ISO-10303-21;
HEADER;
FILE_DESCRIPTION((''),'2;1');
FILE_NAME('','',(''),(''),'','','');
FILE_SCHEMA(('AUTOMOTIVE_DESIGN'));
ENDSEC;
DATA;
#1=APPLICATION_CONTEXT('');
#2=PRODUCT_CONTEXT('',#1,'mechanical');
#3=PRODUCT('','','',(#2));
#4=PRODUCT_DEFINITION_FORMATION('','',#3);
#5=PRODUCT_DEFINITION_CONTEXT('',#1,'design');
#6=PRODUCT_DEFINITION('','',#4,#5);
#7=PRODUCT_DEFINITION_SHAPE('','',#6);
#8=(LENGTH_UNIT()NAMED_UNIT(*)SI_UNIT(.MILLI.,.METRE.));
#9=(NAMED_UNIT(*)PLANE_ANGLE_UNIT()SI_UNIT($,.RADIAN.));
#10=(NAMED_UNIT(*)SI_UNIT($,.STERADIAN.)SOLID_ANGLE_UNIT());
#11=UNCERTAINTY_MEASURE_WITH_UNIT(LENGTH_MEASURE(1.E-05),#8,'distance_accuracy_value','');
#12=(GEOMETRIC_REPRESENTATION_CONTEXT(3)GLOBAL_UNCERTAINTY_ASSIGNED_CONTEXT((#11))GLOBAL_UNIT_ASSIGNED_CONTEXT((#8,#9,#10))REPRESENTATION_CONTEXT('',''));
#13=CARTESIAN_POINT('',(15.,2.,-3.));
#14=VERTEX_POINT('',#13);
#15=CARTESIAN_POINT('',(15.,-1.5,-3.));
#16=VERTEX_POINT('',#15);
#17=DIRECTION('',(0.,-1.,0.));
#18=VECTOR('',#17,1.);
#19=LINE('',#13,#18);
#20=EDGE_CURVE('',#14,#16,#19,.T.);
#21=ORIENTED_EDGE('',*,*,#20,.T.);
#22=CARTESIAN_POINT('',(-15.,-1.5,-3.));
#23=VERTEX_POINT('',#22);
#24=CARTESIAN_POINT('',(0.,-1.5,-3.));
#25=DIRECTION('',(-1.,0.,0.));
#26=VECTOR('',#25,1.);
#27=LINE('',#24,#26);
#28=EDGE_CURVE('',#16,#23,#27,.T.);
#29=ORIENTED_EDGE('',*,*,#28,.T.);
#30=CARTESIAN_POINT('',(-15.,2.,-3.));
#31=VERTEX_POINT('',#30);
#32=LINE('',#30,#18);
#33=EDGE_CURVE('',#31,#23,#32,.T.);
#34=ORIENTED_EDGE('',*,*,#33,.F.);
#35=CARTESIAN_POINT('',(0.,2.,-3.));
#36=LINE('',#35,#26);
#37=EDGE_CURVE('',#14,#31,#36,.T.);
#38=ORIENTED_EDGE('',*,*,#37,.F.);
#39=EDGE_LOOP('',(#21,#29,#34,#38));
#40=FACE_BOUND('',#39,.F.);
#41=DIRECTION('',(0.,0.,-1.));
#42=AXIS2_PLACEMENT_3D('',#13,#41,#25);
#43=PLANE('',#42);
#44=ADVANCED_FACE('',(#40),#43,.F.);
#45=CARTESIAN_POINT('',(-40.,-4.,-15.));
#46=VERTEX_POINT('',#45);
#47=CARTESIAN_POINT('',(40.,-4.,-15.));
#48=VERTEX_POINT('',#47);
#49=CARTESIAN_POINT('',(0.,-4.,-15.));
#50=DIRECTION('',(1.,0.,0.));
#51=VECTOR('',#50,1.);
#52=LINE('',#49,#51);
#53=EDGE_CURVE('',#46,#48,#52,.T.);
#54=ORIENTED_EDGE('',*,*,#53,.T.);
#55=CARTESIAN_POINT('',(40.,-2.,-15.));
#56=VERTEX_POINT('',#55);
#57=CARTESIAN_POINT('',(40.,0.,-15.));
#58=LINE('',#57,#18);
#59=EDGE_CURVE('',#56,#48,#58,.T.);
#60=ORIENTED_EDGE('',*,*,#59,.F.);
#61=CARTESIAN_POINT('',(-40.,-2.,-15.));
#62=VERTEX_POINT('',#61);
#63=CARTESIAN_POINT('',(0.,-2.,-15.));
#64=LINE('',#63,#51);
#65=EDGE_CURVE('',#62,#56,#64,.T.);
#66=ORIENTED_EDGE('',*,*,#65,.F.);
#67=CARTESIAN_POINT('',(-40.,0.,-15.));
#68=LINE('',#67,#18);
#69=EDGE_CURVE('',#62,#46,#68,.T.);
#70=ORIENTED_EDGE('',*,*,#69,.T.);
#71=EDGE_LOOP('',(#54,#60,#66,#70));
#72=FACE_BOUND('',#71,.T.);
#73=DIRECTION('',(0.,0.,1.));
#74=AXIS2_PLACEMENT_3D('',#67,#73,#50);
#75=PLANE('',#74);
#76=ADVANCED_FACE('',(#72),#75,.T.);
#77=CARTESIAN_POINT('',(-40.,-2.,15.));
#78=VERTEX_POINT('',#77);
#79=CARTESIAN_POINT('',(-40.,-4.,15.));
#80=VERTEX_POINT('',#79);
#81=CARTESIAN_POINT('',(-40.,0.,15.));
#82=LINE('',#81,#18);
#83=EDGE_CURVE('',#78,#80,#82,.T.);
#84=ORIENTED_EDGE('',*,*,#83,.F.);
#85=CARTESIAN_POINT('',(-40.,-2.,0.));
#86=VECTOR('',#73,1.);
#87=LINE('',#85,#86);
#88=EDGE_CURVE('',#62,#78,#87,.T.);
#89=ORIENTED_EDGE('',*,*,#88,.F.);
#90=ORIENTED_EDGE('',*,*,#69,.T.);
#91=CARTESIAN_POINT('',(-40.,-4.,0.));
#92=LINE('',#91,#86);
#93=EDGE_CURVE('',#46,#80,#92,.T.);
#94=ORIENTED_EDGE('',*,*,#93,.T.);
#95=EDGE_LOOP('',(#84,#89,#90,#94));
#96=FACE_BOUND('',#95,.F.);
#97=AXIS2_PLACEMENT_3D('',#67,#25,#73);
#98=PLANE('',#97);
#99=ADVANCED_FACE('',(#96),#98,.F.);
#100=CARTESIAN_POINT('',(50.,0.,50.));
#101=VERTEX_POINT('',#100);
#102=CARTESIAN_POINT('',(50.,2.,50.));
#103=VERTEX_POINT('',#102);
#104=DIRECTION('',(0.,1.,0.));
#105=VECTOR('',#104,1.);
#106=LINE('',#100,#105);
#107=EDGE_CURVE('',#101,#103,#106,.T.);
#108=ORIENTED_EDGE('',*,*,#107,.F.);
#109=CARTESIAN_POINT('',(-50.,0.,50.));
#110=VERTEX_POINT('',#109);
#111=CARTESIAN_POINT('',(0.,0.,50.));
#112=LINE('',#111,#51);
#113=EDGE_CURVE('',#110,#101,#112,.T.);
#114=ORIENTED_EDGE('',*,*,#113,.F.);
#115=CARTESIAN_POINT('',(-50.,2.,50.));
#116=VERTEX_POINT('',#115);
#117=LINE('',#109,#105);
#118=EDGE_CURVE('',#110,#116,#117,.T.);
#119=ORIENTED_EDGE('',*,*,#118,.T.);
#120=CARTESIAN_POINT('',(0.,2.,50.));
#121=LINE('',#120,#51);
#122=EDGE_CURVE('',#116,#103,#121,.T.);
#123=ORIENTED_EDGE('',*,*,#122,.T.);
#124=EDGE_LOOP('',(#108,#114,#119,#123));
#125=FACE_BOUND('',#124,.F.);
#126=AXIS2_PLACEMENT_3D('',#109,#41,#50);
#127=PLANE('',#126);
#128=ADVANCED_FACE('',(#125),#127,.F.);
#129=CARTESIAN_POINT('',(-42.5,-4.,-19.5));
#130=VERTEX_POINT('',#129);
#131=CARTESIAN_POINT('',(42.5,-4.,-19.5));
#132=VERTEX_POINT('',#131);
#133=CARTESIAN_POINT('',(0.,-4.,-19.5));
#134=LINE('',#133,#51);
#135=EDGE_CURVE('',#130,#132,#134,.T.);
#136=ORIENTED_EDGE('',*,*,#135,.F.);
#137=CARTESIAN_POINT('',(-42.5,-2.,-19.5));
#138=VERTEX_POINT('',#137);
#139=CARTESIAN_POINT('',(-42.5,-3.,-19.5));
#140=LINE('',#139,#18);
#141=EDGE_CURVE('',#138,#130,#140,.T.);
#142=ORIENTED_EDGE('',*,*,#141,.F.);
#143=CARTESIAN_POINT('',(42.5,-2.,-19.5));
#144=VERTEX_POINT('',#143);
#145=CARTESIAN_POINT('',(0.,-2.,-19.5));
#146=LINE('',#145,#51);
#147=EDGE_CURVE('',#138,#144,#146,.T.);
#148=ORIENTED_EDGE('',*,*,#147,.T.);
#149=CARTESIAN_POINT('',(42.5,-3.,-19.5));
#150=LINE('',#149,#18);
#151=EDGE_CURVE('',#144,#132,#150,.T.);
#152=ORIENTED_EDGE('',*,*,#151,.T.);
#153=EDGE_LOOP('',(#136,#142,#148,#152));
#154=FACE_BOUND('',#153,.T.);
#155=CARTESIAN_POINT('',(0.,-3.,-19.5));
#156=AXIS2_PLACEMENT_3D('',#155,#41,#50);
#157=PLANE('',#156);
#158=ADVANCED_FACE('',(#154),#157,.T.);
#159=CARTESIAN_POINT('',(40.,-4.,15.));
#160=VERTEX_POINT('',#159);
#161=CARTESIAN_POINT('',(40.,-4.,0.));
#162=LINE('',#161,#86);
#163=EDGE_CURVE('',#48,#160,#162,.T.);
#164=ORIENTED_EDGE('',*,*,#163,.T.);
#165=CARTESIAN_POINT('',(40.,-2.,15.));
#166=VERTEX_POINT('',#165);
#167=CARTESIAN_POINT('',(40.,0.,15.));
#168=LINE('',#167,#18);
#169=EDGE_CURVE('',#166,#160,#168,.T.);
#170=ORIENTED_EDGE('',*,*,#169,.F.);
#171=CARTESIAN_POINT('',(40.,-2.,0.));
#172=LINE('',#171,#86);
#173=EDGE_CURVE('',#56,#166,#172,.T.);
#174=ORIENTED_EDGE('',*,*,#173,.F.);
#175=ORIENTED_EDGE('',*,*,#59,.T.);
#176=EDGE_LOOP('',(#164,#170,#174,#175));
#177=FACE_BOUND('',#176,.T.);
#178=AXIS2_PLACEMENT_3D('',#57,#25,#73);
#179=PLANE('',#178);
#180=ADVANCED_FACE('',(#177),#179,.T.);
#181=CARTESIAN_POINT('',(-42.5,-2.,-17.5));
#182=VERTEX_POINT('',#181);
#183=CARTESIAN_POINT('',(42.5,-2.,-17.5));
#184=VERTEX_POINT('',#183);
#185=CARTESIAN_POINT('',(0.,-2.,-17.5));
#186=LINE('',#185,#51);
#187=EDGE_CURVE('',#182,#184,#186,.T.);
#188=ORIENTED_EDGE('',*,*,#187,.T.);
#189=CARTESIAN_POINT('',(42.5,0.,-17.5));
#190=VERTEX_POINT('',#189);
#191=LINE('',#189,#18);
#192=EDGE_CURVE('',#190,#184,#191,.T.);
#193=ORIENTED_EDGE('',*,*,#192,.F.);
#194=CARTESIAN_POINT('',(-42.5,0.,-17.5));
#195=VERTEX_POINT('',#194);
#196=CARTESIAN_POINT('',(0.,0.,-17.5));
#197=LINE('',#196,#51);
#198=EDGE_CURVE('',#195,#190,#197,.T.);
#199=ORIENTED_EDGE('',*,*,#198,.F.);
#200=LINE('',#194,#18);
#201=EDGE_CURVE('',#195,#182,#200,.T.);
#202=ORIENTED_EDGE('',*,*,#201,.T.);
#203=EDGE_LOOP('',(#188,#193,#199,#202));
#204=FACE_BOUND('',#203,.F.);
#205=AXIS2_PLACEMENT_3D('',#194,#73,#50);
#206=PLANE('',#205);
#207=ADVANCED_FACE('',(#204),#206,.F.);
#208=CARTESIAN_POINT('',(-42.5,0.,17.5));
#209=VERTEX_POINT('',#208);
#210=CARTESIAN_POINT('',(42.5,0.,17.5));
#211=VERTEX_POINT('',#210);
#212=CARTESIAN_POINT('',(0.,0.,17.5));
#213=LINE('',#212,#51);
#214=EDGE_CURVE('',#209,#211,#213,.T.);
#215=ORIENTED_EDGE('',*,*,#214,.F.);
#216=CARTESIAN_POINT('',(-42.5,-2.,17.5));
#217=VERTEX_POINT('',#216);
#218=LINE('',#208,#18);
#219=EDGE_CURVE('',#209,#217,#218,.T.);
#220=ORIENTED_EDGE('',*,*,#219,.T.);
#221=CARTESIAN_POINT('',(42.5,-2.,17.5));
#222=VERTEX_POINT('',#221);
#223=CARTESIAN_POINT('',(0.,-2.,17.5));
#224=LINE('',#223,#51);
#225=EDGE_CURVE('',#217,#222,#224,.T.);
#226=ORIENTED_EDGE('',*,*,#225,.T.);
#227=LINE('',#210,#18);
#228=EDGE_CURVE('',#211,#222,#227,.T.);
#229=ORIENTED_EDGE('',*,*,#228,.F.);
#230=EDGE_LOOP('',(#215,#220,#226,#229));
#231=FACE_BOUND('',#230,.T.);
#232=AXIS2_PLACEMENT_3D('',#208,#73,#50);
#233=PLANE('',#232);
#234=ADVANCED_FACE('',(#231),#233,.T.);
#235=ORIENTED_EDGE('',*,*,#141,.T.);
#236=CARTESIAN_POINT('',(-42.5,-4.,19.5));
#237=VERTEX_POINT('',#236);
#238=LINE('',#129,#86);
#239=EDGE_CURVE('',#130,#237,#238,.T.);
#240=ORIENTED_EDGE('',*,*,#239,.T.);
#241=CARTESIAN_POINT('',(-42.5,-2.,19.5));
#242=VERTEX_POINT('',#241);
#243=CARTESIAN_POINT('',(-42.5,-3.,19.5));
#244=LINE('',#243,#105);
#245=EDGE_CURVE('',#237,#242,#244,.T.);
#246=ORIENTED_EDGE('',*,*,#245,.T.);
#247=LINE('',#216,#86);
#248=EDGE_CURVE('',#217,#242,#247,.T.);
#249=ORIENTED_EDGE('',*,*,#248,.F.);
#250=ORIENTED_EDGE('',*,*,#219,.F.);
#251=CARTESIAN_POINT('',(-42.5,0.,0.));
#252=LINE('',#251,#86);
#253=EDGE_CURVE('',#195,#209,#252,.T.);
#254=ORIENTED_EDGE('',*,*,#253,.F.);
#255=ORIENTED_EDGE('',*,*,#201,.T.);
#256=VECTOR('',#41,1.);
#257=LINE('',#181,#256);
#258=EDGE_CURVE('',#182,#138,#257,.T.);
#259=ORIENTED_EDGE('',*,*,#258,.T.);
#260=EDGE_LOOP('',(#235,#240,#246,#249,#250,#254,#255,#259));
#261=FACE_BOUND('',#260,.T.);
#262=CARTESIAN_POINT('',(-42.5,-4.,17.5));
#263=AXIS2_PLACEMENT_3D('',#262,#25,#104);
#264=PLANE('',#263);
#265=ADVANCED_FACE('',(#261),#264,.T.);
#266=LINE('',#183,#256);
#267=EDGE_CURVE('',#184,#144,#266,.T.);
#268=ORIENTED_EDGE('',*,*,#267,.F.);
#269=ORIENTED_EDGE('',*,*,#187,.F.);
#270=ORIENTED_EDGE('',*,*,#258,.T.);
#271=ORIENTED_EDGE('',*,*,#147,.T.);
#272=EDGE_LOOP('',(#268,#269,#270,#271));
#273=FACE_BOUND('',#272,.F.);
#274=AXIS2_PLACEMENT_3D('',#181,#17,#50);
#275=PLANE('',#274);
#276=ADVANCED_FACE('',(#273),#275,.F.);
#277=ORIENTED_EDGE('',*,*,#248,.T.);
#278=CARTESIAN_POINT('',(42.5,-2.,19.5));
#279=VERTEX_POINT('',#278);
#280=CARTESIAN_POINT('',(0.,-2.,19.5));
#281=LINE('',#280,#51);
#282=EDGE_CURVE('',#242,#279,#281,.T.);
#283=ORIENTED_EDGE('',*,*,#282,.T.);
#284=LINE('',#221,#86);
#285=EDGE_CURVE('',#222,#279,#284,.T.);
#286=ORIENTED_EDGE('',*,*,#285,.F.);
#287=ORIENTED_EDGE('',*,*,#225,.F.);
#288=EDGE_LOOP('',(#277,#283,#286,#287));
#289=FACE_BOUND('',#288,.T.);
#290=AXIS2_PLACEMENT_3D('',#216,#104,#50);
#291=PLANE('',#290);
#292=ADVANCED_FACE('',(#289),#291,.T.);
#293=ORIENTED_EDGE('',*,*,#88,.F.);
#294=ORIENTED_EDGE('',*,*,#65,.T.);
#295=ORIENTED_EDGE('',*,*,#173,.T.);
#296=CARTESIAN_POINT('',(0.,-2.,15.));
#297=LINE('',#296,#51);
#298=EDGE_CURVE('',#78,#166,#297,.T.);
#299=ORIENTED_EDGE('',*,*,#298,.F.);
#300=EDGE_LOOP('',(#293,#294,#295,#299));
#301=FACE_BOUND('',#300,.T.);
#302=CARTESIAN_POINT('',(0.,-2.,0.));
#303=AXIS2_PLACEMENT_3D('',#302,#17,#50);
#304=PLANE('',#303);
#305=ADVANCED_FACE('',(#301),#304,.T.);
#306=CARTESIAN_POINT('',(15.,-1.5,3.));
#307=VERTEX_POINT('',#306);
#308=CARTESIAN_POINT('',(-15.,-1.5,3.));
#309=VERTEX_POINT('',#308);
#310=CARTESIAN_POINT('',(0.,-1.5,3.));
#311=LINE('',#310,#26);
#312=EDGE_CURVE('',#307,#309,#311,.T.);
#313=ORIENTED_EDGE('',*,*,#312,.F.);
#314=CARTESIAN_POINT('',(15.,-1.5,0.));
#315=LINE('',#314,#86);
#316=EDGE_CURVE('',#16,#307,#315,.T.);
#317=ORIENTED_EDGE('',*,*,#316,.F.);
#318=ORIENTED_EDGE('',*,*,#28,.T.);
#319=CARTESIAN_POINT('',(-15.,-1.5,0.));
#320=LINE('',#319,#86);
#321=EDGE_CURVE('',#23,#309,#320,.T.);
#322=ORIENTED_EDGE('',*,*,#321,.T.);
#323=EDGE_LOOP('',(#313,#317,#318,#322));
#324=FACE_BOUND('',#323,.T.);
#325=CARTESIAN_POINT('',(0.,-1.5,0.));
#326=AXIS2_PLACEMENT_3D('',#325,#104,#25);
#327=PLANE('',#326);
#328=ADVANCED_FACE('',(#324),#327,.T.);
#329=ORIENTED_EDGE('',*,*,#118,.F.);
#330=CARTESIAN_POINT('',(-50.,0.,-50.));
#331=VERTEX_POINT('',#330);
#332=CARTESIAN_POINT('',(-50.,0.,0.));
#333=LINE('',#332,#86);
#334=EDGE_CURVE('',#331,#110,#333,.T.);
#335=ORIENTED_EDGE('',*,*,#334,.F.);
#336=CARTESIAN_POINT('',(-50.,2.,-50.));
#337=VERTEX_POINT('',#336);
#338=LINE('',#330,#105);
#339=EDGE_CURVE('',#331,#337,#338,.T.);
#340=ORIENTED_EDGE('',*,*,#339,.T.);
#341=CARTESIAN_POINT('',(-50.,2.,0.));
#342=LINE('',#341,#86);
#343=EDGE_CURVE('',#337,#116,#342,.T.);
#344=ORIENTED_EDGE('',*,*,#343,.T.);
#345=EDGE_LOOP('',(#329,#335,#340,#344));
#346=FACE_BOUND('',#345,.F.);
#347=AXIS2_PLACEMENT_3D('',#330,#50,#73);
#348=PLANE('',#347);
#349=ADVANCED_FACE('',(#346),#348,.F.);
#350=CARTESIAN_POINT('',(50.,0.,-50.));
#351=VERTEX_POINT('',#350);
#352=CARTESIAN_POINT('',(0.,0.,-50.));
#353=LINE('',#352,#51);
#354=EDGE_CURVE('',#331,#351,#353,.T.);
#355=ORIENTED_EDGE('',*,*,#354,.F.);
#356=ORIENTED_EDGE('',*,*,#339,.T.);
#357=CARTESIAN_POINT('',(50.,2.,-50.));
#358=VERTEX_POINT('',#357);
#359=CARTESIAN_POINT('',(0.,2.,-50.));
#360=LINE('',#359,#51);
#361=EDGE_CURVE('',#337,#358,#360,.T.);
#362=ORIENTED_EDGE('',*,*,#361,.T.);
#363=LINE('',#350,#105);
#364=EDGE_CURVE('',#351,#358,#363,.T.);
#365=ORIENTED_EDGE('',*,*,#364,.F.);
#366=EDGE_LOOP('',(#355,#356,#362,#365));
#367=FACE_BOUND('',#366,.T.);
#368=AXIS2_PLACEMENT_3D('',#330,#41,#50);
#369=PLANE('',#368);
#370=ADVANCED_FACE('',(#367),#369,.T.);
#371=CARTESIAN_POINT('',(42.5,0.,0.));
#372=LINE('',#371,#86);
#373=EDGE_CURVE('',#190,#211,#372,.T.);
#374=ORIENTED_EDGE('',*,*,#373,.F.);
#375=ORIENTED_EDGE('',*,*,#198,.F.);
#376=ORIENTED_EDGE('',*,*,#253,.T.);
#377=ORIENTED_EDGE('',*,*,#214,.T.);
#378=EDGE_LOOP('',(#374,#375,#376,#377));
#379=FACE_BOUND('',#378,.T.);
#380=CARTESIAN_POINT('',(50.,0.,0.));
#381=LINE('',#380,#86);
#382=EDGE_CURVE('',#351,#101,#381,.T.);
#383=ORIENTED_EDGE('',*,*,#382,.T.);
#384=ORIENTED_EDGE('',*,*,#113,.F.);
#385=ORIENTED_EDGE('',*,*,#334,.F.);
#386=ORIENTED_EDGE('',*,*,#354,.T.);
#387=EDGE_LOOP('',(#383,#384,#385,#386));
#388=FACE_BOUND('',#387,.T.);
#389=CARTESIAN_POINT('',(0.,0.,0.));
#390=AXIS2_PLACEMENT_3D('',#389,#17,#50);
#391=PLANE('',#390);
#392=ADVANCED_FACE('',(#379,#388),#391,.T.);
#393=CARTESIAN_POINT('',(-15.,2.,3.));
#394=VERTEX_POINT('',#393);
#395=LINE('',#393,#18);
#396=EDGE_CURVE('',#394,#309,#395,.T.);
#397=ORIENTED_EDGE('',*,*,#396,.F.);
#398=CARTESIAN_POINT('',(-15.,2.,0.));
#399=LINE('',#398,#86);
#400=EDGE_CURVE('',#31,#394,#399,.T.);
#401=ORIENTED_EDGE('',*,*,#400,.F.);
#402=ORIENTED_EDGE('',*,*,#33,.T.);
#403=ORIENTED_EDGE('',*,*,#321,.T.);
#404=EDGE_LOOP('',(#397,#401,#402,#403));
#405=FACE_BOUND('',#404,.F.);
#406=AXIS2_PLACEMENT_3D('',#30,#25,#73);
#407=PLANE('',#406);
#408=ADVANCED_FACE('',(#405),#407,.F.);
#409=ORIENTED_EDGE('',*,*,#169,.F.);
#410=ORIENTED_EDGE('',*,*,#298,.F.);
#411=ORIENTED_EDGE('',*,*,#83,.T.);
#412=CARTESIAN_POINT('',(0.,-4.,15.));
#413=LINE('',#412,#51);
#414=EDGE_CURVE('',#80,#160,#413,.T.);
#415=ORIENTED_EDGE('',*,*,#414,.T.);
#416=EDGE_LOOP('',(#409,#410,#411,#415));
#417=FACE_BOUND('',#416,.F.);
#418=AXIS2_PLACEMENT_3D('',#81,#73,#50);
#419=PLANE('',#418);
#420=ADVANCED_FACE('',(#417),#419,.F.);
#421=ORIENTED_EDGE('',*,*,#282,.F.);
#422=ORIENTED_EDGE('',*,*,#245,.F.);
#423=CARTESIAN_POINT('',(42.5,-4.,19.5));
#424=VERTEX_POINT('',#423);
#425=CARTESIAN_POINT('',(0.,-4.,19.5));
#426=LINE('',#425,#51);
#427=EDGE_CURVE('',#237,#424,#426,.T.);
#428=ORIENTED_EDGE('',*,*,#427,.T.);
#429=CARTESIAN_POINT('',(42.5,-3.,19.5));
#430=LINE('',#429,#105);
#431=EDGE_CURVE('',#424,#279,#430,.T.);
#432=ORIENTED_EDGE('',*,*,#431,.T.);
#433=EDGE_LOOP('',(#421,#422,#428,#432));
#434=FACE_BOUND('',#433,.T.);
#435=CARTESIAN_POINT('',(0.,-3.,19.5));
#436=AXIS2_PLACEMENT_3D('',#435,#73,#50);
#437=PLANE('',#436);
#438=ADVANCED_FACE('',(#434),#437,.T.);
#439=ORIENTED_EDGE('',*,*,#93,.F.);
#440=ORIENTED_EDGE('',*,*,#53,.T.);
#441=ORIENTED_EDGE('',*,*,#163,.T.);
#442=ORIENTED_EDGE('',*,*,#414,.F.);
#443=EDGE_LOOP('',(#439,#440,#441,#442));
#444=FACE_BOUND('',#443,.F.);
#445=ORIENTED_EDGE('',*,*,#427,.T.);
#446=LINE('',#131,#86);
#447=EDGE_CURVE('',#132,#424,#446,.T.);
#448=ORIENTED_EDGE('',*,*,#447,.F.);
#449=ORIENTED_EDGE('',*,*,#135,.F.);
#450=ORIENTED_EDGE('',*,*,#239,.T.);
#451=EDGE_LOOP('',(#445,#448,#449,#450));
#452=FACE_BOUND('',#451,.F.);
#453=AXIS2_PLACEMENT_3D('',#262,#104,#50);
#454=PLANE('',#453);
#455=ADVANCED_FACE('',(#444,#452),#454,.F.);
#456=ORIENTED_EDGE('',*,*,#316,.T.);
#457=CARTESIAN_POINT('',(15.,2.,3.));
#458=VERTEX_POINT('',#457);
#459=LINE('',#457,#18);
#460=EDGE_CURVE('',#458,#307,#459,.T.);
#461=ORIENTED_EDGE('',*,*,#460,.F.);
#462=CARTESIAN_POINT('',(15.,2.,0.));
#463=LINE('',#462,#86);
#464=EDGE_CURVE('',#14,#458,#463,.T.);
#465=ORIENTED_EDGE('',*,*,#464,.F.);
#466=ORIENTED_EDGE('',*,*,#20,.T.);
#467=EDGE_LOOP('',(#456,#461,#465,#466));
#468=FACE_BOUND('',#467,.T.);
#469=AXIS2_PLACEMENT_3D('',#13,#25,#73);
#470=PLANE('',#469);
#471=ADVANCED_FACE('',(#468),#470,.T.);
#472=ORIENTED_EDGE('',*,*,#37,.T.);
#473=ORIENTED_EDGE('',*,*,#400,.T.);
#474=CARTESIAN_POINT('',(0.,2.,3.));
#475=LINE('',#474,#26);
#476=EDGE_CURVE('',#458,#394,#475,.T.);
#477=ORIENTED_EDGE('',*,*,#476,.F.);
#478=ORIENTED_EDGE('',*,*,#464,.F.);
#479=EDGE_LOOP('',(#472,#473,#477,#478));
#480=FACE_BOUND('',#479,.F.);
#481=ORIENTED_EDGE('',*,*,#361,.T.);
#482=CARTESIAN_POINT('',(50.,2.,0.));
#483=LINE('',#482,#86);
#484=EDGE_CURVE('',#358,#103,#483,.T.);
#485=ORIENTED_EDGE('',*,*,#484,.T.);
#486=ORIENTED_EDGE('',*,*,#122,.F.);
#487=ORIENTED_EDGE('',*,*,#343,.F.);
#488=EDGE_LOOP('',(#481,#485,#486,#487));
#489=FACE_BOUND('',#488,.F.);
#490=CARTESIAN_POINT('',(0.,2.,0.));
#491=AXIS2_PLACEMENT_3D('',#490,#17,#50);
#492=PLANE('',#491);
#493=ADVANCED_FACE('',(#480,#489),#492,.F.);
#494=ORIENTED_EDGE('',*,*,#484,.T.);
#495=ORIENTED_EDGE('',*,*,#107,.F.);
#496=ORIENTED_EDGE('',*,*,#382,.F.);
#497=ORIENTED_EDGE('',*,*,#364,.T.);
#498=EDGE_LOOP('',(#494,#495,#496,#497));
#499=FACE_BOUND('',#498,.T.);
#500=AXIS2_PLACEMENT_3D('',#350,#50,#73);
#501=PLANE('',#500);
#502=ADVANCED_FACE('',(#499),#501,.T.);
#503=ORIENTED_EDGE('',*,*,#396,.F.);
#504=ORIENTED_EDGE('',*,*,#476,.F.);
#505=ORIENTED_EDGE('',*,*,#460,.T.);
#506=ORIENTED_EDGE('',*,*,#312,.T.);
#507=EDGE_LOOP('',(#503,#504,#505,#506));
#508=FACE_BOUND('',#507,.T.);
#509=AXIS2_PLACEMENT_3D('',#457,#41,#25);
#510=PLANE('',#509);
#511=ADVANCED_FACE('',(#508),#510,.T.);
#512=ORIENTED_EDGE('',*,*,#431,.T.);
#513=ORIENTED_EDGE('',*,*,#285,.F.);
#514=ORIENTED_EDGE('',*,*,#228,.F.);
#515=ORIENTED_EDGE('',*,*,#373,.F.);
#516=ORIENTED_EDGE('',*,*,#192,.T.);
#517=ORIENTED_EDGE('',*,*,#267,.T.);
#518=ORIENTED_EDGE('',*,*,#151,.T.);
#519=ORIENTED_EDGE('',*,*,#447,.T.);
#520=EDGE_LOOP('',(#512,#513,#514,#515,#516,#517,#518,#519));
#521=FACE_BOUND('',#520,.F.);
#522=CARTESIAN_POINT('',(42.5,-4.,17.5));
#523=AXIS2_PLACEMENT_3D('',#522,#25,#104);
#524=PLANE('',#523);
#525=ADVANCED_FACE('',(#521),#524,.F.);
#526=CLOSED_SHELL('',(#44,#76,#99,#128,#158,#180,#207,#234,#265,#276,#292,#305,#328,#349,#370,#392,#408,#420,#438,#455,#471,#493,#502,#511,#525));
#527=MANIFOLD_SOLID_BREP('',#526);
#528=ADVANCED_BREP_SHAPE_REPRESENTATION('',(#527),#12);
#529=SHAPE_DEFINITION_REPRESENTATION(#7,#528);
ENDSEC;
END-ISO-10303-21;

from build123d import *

# Parameters (mm, degrees)
F0_W     = 100
F0_H     = 100
F0_W_2   = 85
F0_H_2   = 35
F0_W_3   = 80
F0_H_3   = 30
F1_DEPTH = 2
F2_DEPTH = 4
F3_W     = 85
F3_H     = 2
F4_DEPTH = 2
F5_W     = 85
F5_H     = 2
F6_DEPTH = 2
F7_DEPTH = 2
F8_W     = 30
F8_H     = 6
F9_DEPTH = 3.5


with BuildPart() as f1:
    # F0 (on Front) → F1 (new body)
    with BuildSketch(Plane.XZ):
        Rectangle(F0_W, F0_H)
        Rectangle(F0_W_2, F0_H_2, mode=Mode.SUBTRACT)
        Rectangle(F0_W_2, F0_H_2)
        Rectangle(F0_W_3, F0_H_3, mode=Mode.SUBTRACT)
        Rectangle(F0_W_3, F0_H_3)
    extrude(amount=-F1_DEPTH)

    # F0 (on Front) → F2 (join)
    with BuildSketch(Plane.XZ):
        Rectangle(F0_W_2, F0_H_2)
        Rectangle(F0_W_3, F0_H_3, mode=Mode.SUBTRACT)
    extrude(amount=F2_DEPTH)

    # F3 (on face) → F4 (join)
    with BuildSketch(Plane(origin=(0, 0, -17.5), x_dir=(1, 0, 0), z_dir=(0, 0, -1))):
        with Locations((0, 3)):
            Rectangle(F3_W, F3_H)
    extrude(amount=F4_DEPTH)

    # F5 (on face) → F6 (join)
    with BuildSketch(Plane.XY.offset(17.5)):
        with Locations((0, -3)):
            Rectangle(F5_W, F5_H)
    extrude(amount=F6_DEPTH)

    # F0 (on Front) → F7 (join)
    with BuildSketch(Plane.XZ):
        Rectangle(F0_W_3, F0_H_3)
    extrude(amount=F7_DEPTH)

    # F8 (on face) → F9 (cut)
    with BuildSketch(Plane(origin=(0, 2, 0), x_dir=(-1, 0, 0), z_dir=(0, 1, 0))):
        Rectangle(F8_W, F8_H)
    extrude(amount=-F9_DEPTH, mode=Mode.SUBTRACT)


solid = f1.part
